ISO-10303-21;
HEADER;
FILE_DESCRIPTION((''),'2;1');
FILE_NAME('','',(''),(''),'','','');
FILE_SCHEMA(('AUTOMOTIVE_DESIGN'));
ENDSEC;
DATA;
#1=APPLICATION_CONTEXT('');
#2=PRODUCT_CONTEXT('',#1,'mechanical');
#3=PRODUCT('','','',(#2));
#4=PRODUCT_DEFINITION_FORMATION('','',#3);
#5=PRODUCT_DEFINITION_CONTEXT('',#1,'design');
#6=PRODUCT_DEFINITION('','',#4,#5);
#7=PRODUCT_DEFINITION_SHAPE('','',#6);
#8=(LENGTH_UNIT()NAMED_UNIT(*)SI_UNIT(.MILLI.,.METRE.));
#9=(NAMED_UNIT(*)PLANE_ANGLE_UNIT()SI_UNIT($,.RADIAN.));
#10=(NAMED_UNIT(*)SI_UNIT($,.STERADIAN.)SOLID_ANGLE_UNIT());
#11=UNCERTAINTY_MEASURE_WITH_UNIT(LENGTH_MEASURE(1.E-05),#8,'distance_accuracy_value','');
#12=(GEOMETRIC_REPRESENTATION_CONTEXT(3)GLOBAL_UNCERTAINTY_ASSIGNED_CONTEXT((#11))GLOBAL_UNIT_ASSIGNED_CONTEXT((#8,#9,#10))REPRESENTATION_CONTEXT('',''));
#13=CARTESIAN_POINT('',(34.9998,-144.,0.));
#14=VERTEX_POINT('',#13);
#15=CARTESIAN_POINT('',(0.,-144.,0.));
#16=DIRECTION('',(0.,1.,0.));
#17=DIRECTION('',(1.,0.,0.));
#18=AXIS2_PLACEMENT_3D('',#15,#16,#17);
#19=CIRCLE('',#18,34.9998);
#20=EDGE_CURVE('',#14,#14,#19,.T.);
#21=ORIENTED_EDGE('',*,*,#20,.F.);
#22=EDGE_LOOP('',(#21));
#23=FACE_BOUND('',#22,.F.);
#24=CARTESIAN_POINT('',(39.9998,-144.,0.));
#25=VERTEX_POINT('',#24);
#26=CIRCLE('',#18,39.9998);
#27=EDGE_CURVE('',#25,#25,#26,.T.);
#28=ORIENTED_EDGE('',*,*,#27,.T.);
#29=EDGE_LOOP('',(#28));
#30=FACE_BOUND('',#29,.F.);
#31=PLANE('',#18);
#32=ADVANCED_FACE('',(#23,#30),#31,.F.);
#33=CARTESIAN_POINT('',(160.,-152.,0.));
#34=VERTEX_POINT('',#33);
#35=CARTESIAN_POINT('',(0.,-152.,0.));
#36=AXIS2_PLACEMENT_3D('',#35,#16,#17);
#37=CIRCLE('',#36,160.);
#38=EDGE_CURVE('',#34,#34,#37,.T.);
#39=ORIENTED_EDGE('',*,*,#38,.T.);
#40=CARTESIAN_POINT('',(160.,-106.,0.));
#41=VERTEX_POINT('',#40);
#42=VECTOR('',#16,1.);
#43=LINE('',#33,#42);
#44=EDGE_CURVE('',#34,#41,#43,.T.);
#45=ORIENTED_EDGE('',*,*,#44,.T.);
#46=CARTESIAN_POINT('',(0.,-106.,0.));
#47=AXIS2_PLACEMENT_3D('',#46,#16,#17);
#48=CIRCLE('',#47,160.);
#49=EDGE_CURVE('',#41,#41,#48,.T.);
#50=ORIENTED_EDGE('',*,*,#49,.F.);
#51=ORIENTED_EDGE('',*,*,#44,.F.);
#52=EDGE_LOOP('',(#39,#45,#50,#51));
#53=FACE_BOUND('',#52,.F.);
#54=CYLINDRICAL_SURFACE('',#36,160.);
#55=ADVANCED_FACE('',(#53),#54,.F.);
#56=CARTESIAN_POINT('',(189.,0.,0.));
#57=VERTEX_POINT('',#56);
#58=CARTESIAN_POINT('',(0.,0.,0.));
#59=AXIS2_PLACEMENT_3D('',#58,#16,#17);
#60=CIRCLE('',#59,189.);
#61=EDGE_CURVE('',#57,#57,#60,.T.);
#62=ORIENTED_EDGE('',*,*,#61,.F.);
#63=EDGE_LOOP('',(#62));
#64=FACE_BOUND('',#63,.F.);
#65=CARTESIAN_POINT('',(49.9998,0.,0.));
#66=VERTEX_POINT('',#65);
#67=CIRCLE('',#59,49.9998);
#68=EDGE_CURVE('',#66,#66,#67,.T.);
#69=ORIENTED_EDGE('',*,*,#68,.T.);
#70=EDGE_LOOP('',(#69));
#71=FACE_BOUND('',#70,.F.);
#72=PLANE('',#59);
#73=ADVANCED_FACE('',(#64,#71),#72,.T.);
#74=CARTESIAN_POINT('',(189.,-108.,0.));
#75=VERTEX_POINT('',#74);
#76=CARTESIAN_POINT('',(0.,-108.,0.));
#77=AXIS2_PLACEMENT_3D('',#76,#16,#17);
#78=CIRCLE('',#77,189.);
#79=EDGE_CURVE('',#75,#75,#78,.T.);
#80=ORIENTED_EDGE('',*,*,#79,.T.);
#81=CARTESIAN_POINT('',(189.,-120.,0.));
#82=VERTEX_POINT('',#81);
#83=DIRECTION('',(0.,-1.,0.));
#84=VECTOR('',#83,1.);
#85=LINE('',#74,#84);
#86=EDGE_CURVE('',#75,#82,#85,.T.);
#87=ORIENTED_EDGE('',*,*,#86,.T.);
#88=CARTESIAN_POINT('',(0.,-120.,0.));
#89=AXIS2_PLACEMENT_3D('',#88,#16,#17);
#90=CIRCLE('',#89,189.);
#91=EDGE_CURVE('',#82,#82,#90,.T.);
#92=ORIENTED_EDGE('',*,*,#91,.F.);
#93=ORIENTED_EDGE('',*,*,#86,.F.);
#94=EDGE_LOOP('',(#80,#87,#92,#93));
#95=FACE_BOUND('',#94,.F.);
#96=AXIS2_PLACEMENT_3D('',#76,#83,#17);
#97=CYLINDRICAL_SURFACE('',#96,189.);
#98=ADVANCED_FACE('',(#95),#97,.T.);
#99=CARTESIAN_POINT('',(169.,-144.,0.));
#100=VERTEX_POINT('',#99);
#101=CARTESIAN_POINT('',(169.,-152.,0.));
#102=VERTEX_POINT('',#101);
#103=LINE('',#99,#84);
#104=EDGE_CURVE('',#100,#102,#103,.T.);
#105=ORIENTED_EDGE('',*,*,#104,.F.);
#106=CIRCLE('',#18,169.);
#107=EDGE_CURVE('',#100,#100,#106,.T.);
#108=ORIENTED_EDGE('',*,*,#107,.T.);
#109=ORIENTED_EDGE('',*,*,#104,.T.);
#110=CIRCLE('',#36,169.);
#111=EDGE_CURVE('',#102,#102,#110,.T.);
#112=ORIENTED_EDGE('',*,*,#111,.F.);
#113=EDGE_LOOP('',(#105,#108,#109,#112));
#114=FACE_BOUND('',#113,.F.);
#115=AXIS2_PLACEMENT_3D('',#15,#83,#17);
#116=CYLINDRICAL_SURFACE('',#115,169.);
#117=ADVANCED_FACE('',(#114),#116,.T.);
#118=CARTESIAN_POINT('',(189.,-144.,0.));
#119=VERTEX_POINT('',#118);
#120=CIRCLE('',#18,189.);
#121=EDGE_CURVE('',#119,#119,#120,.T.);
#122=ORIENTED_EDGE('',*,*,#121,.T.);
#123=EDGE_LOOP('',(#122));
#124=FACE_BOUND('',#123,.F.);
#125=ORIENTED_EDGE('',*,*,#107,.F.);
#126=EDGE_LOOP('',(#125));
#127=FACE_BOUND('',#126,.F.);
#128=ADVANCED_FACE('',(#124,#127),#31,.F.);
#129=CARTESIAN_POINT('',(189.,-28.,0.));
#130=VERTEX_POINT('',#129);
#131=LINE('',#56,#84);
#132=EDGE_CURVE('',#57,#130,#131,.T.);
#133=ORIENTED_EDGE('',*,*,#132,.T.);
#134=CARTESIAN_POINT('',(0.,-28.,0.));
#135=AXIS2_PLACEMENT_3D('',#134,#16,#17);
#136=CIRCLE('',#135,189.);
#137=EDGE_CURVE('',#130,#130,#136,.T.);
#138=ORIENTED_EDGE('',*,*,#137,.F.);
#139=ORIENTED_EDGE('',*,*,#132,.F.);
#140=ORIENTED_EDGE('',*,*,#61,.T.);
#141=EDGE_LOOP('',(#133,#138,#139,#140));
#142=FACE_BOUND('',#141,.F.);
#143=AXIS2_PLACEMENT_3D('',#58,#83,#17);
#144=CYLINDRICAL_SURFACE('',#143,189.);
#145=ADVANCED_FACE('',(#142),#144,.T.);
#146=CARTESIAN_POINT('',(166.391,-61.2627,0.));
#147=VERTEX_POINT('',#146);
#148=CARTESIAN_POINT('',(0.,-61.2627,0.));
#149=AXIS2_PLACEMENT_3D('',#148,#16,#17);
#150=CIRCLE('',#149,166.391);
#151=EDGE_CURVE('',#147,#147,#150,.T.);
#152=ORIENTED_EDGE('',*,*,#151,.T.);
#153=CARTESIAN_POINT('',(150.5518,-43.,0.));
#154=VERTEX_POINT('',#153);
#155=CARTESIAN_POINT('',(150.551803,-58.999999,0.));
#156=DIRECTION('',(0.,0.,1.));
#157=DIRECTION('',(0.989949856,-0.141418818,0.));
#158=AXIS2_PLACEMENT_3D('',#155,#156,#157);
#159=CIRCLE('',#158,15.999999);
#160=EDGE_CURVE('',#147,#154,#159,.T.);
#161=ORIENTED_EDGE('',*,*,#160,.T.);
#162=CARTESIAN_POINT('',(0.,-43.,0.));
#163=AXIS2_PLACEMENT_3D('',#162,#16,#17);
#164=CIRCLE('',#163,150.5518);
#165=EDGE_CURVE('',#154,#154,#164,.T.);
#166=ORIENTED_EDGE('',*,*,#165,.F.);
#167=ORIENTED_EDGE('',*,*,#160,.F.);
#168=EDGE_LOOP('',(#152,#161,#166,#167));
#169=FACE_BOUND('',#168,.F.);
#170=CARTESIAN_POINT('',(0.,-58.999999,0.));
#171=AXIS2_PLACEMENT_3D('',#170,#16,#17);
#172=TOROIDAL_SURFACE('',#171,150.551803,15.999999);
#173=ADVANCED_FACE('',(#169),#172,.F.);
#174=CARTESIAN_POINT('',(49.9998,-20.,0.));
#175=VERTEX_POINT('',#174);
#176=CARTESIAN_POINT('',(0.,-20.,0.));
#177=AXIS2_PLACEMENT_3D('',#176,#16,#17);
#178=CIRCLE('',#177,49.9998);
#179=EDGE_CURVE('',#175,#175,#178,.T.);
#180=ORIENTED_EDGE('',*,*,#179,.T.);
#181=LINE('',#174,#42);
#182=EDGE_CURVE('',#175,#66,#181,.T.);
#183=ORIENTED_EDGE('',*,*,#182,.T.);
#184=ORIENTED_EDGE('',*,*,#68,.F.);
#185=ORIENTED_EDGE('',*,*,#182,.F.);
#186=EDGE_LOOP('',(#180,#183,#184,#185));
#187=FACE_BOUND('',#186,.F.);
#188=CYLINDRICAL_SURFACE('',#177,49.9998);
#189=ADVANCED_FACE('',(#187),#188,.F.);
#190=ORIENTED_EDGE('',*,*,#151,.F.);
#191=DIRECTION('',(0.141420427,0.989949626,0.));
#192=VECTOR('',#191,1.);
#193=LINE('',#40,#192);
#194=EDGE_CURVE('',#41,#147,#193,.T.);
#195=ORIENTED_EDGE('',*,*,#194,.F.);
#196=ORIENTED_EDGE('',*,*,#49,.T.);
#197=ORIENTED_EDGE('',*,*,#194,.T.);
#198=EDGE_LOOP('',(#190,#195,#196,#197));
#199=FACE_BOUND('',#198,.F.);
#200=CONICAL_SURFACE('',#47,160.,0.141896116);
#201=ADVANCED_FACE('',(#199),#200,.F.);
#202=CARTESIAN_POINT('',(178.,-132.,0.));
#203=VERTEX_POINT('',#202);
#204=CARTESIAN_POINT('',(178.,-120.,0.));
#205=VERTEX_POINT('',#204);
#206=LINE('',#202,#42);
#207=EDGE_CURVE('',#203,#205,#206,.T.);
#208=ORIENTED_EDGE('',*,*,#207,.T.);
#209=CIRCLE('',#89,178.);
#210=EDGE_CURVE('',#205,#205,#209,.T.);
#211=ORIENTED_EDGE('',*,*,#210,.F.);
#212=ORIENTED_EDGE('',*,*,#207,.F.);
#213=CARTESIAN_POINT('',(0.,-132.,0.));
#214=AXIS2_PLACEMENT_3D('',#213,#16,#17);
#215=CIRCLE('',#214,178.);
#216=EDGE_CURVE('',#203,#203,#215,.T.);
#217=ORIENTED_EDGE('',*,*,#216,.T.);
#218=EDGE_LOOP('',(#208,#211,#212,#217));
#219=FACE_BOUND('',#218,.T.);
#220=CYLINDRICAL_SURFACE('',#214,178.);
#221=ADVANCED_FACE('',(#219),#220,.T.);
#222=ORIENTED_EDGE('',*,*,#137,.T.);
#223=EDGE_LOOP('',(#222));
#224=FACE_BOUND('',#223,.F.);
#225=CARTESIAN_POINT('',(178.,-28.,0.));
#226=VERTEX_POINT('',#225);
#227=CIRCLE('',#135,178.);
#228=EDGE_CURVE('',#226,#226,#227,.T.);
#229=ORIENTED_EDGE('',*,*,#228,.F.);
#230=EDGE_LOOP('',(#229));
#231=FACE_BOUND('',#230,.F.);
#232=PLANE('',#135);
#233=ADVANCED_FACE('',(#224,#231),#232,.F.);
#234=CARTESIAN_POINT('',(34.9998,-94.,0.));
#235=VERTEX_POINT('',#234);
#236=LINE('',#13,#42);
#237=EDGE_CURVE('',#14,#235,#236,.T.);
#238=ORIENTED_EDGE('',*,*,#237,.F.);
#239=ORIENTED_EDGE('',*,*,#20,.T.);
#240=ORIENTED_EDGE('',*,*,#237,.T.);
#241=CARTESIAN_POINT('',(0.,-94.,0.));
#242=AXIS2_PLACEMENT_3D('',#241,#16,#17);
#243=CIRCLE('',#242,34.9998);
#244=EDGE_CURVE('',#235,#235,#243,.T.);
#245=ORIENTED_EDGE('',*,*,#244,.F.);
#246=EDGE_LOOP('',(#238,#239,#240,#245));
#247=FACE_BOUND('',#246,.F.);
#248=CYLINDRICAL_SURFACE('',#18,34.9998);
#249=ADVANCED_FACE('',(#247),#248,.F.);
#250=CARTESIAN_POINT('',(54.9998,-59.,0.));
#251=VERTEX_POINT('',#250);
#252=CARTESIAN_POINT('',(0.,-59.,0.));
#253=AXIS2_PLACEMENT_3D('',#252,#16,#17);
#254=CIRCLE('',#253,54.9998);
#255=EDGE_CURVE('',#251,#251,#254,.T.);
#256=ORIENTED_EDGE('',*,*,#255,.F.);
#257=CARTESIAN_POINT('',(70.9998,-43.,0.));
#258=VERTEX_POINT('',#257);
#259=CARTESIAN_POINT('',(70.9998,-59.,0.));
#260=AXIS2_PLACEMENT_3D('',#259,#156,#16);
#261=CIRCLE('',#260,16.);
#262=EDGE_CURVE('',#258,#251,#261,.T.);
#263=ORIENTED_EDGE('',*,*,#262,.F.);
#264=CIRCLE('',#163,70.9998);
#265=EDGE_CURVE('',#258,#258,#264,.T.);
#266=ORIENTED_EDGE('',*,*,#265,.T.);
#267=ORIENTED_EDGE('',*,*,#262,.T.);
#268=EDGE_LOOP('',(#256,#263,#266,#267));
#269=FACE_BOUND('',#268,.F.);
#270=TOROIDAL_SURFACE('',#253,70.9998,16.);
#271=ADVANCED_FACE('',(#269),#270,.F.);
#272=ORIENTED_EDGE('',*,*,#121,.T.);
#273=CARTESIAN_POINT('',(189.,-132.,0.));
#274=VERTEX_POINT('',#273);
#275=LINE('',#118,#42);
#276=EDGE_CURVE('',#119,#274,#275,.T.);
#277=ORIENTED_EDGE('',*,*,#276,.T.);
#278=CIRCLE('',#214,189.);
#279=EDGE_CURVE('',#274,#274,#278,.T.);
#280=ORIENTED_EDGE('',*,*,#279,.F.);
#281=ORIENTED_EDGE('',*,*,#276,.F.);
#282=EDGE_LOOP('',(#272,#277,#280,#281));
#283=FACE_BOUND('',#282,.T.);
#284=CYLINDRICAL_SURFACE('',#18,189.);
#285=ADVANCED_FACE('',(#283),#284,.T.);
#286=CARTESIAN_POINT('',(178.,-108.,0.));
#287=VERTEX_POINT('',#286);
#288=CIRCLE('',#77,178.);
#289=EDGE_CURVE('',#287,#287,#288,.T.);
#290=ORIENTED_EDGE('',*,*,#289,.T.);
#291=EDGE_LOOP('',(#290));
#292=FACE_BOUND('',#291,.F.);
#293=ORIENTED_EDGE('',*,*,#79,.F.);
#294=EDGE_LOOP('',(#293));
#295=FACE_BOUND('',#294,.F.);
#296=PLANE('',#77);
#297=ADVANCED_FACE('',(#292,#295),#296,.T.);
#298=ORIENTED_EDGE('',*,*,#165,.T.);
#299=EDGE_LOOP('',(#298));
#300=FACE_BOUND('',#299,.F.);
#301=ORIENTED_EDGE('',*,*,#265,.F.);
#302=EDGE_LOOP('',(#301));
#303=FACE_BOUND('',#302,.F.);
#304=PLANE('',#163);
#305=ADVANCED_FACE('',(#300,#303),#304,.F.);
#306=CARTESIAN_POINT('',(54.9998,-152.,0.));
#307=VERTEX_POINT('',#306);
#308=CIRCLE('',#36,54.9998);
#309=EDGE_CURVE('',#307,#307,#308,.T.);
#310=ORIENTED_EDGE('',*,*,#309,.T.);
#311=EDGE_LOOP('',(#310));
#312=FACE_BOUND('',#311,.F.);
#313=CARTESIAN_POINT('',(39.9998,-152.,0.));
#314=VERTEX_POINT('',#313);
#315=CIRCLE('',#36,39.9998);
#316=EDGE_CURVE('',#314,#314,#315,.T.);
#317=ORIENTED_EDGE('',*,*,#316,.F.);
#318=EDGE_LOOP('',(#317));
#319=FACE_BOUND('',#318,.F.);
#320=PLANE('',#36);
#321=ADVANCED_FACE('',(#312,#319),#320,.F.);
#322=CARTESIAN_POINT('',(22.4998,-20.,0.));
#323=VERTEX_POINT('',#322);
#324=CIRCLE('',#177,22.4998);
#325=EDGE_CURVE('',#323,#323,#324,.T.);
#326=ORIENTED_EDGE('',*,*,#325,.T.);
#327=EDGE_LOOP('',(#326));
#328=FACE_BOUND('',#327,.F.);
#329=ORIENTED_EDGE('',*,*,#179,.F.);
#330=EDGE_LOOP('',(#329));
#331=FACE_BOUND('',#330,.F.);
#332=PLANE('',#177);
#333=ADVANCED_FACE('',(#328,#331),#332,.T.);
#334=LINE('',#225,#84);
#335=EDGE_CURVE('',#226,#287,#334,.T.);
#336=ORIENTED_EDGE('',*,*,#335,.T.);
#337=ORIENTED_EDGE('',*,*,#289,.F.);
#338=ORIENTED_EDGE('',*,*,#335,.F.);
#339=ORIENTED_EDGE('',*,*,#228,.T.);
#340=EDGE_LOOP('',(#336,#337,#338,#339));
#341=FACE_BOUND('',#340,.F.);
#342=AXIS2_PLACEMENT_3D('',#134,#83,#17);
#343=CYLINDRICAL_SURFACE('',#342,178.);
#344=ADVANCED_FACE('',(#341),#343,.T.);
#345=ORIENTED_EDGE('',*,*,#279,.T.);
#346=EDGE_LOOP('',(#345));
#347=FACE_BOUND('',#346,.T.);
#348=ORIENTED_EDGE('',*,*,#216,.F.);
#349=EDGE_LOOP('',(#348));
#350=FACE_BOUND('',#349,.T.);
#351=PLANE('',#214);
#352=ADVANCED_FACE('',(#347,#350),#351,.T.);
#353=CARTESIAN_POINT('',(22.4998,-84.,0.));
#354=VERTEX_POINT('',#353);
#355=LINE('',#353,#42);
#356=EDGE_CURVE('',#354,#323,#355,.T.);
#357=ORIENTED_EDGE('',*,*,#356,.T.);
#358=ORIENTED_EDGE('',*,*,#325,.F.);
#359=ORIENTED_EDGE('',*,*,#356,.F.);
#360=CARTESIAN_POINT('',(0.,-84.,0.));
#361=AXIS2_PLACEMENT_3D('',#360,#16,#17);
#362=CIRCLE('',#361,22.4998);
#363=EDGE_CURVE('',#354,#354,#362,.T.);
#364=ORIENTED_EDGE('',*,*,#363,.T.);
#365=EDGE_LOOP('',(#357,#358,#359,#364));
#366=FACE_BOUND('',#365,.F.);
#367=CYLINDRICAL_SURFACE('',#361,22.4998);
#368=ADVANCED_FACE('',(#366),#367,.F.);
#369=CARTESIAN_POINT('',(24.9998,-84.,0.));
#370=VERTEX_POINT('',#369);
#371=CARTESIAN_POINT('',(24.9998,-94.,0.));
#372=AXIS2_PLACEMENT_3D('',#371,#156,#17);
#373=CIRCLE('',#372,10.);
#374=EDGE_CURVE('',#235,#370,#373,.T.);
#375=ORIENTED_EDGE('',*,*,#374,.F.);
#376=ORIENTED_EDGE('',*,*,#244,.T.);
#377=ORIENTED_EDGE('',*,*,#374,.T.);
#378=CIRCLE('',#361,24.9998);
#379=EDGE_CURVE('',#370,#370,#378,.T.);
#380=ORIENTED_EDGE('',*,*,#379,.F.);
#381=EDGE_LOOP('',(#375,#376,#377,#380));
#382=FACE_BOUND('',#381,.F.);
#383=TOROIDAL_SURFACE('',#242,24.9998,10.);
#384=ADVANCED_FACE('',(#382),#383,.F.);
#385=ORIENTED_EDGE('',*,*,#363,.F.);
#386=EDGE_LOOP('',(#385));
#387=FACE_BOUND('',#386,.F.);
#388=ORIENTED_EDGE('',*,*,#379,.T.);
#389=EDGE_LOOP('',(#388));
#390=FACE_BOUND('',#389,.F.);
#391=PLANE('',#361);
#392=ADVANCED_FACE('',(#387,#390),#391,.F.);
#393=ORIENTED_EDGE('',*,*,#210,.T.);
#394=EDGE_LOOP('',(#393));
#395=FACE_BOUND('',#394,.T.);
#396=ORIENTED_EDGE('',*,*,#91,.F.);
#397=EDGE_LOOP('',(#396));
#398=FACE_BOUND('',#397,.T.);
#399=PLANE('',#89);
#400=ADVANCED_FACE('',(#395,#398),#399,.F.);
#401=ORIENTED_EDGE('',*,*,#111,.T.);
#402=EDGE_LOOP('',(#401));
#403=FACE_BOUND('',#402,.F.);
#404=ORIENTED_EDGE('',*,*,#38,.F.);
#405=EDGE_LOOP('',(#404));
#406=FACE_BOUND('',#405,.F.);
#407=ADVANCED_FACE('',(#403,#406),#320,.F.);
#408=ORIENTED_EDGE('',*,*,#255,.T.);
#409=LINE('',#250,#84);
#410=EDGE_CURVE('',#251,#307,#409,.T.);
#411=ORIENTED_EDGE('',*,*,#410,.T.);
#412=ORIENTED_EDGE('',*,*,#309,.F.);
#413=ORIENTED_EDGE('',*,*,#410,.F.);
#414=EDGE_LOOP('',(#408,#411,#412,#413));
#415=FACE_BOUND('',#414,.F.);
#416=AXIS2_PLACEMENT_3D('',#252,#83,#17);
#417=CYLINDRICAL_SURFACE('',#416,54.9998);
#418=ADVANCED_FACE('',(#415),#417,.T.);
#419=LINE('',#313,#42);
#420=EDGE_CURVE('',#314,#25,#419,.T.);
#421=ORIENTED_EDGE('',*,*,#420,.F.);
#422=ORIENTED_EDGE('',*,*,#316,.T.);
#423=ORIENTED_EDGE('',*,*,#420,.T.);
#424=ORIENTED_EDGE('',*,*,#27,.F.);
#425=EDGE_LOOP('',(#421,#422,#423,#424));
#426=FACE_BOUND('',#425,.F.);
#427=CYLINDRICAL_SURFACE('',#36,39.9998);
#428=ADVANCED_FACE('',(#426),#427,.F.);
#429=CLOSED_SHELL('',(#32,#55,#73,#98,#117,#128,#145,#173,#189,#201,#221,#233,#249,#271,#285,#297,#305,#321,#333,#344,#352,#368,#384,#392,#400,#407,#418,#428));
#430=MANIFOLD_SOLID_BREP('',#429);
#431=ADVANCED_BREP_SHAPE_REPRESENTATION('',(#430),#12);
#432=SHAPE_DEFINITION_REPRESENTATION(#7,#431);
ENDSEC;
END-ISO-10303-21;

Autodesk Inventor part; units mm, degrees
ref_plane "YZ Plane" through (0, 0, 0) normal (1, 0, 0) x (0, 1, 0)
ref_plane "XZ Plane" through (0, 0, 0) normal (0, 1, 0) x (-1, 0, 0)
ref_plane "XY Plane" through (0, 0, 0) normal (0, 0, 1) x (1, 0, 0)
sketch "Эскиз1" plane through (0, 0, 0) normal (0, 0, 1) x (1, 0, 0)
  line L0 (49.9998, 0) -> (189, 0)
  line L1 (189, 0) -> (189, -28)
  line L2 (189, -28) -> (178, -28)
  line L3 (178, -28) -> (178, -108)
  line L4 (178, -108) -> (189, -108)
  line L5 (150.5518, -43) -> (70.9998, -43)
  line L6 (54.9998, -59) -> (54.9998, -152)
  line L7 (24.9998, -84) -> (22.4998, -84)
  line L8 (22.4998, -84) -> (22.4998, -20)
  line L9 (22.4998, -20) -> (49.9998, -20)
  line L10 (49.9998, -20) -> (49.9998, 0)
  arc A0 (70.9998, -43) -> (54.9998, -59) centre (70.9998, -59) ccw
  line L11 (0, 0) -> (0, 25.6698)
  line L12 (189, -108) -> (189, -120)
  line L13 (189, -144) -> (169, -144)
  line L14 (169, -144) -> (169, -152)
  line L15 (189, -144) -> (189, -132)
  line L16 (189, -132) -> (178, -132)
  line L17 (178, -132) -> (178, -120)
  line L18 (178, -120) -> (189, -120)
  line L19 (189, -108) -> (189, -120)
  line L20 (160, -152) -> (160, -106)
  line L21 (34.9998, -144) -> (34.9998, -94)
  line L22 (169, -152) -> (160, -152)
  line L23 (54.9998, -152) -> (39.9998, -152)
  line L24 (39.9998, -152) -> (39.9998, -144)
  line L25 (39.9998, -144) -> (34.9998, -144)
  arc A1 (34.9998, -94) -> (24.9998, -84) centre (24.9998, -94) ccw
  line L26 (160, -106) -> (166.391, -61.2627)
  arc A2 (166.391, -61.2627) -> (150.5518, -43) centre (150.5518, -59) ccw
  point P0 (54.9998, -43)
  point P1 (34.9998, -98)
  dimension "d0" = 189
  dimension "d1" = 28
  dimension "d2" = 11
  dimension "d3" = 80
  dimension "d17" = 64
  dimension "d18" = 27.5
  dimension "d24" = 16
  dimension "d29" = 20
  dimension "d30" = 8
  dimension "d31" = 12
  dimension "d32" = 11
  dimension "d33" = 12
  dimension "d34" = 12
  dimension "d35" = 46
  dimension "d36" = 93
  dimension "d37" = 46
  dimension "d38" = 15
  dimension "d39" = 20
  dimension "d40" = 5
  dimension "d41" = 8
  dimension "d42" = 10
  dimension "d43" = 9
  dimension "d44" = 169
  dimension "d45" = 16
revolve "Вращение1" add sketch "Эскиз1" angle 360 about axis through (0, 0, 0) along (0, 1, 0)
properties part number "Верхняя часть поршня_CPY" material "Чугун, серый"
